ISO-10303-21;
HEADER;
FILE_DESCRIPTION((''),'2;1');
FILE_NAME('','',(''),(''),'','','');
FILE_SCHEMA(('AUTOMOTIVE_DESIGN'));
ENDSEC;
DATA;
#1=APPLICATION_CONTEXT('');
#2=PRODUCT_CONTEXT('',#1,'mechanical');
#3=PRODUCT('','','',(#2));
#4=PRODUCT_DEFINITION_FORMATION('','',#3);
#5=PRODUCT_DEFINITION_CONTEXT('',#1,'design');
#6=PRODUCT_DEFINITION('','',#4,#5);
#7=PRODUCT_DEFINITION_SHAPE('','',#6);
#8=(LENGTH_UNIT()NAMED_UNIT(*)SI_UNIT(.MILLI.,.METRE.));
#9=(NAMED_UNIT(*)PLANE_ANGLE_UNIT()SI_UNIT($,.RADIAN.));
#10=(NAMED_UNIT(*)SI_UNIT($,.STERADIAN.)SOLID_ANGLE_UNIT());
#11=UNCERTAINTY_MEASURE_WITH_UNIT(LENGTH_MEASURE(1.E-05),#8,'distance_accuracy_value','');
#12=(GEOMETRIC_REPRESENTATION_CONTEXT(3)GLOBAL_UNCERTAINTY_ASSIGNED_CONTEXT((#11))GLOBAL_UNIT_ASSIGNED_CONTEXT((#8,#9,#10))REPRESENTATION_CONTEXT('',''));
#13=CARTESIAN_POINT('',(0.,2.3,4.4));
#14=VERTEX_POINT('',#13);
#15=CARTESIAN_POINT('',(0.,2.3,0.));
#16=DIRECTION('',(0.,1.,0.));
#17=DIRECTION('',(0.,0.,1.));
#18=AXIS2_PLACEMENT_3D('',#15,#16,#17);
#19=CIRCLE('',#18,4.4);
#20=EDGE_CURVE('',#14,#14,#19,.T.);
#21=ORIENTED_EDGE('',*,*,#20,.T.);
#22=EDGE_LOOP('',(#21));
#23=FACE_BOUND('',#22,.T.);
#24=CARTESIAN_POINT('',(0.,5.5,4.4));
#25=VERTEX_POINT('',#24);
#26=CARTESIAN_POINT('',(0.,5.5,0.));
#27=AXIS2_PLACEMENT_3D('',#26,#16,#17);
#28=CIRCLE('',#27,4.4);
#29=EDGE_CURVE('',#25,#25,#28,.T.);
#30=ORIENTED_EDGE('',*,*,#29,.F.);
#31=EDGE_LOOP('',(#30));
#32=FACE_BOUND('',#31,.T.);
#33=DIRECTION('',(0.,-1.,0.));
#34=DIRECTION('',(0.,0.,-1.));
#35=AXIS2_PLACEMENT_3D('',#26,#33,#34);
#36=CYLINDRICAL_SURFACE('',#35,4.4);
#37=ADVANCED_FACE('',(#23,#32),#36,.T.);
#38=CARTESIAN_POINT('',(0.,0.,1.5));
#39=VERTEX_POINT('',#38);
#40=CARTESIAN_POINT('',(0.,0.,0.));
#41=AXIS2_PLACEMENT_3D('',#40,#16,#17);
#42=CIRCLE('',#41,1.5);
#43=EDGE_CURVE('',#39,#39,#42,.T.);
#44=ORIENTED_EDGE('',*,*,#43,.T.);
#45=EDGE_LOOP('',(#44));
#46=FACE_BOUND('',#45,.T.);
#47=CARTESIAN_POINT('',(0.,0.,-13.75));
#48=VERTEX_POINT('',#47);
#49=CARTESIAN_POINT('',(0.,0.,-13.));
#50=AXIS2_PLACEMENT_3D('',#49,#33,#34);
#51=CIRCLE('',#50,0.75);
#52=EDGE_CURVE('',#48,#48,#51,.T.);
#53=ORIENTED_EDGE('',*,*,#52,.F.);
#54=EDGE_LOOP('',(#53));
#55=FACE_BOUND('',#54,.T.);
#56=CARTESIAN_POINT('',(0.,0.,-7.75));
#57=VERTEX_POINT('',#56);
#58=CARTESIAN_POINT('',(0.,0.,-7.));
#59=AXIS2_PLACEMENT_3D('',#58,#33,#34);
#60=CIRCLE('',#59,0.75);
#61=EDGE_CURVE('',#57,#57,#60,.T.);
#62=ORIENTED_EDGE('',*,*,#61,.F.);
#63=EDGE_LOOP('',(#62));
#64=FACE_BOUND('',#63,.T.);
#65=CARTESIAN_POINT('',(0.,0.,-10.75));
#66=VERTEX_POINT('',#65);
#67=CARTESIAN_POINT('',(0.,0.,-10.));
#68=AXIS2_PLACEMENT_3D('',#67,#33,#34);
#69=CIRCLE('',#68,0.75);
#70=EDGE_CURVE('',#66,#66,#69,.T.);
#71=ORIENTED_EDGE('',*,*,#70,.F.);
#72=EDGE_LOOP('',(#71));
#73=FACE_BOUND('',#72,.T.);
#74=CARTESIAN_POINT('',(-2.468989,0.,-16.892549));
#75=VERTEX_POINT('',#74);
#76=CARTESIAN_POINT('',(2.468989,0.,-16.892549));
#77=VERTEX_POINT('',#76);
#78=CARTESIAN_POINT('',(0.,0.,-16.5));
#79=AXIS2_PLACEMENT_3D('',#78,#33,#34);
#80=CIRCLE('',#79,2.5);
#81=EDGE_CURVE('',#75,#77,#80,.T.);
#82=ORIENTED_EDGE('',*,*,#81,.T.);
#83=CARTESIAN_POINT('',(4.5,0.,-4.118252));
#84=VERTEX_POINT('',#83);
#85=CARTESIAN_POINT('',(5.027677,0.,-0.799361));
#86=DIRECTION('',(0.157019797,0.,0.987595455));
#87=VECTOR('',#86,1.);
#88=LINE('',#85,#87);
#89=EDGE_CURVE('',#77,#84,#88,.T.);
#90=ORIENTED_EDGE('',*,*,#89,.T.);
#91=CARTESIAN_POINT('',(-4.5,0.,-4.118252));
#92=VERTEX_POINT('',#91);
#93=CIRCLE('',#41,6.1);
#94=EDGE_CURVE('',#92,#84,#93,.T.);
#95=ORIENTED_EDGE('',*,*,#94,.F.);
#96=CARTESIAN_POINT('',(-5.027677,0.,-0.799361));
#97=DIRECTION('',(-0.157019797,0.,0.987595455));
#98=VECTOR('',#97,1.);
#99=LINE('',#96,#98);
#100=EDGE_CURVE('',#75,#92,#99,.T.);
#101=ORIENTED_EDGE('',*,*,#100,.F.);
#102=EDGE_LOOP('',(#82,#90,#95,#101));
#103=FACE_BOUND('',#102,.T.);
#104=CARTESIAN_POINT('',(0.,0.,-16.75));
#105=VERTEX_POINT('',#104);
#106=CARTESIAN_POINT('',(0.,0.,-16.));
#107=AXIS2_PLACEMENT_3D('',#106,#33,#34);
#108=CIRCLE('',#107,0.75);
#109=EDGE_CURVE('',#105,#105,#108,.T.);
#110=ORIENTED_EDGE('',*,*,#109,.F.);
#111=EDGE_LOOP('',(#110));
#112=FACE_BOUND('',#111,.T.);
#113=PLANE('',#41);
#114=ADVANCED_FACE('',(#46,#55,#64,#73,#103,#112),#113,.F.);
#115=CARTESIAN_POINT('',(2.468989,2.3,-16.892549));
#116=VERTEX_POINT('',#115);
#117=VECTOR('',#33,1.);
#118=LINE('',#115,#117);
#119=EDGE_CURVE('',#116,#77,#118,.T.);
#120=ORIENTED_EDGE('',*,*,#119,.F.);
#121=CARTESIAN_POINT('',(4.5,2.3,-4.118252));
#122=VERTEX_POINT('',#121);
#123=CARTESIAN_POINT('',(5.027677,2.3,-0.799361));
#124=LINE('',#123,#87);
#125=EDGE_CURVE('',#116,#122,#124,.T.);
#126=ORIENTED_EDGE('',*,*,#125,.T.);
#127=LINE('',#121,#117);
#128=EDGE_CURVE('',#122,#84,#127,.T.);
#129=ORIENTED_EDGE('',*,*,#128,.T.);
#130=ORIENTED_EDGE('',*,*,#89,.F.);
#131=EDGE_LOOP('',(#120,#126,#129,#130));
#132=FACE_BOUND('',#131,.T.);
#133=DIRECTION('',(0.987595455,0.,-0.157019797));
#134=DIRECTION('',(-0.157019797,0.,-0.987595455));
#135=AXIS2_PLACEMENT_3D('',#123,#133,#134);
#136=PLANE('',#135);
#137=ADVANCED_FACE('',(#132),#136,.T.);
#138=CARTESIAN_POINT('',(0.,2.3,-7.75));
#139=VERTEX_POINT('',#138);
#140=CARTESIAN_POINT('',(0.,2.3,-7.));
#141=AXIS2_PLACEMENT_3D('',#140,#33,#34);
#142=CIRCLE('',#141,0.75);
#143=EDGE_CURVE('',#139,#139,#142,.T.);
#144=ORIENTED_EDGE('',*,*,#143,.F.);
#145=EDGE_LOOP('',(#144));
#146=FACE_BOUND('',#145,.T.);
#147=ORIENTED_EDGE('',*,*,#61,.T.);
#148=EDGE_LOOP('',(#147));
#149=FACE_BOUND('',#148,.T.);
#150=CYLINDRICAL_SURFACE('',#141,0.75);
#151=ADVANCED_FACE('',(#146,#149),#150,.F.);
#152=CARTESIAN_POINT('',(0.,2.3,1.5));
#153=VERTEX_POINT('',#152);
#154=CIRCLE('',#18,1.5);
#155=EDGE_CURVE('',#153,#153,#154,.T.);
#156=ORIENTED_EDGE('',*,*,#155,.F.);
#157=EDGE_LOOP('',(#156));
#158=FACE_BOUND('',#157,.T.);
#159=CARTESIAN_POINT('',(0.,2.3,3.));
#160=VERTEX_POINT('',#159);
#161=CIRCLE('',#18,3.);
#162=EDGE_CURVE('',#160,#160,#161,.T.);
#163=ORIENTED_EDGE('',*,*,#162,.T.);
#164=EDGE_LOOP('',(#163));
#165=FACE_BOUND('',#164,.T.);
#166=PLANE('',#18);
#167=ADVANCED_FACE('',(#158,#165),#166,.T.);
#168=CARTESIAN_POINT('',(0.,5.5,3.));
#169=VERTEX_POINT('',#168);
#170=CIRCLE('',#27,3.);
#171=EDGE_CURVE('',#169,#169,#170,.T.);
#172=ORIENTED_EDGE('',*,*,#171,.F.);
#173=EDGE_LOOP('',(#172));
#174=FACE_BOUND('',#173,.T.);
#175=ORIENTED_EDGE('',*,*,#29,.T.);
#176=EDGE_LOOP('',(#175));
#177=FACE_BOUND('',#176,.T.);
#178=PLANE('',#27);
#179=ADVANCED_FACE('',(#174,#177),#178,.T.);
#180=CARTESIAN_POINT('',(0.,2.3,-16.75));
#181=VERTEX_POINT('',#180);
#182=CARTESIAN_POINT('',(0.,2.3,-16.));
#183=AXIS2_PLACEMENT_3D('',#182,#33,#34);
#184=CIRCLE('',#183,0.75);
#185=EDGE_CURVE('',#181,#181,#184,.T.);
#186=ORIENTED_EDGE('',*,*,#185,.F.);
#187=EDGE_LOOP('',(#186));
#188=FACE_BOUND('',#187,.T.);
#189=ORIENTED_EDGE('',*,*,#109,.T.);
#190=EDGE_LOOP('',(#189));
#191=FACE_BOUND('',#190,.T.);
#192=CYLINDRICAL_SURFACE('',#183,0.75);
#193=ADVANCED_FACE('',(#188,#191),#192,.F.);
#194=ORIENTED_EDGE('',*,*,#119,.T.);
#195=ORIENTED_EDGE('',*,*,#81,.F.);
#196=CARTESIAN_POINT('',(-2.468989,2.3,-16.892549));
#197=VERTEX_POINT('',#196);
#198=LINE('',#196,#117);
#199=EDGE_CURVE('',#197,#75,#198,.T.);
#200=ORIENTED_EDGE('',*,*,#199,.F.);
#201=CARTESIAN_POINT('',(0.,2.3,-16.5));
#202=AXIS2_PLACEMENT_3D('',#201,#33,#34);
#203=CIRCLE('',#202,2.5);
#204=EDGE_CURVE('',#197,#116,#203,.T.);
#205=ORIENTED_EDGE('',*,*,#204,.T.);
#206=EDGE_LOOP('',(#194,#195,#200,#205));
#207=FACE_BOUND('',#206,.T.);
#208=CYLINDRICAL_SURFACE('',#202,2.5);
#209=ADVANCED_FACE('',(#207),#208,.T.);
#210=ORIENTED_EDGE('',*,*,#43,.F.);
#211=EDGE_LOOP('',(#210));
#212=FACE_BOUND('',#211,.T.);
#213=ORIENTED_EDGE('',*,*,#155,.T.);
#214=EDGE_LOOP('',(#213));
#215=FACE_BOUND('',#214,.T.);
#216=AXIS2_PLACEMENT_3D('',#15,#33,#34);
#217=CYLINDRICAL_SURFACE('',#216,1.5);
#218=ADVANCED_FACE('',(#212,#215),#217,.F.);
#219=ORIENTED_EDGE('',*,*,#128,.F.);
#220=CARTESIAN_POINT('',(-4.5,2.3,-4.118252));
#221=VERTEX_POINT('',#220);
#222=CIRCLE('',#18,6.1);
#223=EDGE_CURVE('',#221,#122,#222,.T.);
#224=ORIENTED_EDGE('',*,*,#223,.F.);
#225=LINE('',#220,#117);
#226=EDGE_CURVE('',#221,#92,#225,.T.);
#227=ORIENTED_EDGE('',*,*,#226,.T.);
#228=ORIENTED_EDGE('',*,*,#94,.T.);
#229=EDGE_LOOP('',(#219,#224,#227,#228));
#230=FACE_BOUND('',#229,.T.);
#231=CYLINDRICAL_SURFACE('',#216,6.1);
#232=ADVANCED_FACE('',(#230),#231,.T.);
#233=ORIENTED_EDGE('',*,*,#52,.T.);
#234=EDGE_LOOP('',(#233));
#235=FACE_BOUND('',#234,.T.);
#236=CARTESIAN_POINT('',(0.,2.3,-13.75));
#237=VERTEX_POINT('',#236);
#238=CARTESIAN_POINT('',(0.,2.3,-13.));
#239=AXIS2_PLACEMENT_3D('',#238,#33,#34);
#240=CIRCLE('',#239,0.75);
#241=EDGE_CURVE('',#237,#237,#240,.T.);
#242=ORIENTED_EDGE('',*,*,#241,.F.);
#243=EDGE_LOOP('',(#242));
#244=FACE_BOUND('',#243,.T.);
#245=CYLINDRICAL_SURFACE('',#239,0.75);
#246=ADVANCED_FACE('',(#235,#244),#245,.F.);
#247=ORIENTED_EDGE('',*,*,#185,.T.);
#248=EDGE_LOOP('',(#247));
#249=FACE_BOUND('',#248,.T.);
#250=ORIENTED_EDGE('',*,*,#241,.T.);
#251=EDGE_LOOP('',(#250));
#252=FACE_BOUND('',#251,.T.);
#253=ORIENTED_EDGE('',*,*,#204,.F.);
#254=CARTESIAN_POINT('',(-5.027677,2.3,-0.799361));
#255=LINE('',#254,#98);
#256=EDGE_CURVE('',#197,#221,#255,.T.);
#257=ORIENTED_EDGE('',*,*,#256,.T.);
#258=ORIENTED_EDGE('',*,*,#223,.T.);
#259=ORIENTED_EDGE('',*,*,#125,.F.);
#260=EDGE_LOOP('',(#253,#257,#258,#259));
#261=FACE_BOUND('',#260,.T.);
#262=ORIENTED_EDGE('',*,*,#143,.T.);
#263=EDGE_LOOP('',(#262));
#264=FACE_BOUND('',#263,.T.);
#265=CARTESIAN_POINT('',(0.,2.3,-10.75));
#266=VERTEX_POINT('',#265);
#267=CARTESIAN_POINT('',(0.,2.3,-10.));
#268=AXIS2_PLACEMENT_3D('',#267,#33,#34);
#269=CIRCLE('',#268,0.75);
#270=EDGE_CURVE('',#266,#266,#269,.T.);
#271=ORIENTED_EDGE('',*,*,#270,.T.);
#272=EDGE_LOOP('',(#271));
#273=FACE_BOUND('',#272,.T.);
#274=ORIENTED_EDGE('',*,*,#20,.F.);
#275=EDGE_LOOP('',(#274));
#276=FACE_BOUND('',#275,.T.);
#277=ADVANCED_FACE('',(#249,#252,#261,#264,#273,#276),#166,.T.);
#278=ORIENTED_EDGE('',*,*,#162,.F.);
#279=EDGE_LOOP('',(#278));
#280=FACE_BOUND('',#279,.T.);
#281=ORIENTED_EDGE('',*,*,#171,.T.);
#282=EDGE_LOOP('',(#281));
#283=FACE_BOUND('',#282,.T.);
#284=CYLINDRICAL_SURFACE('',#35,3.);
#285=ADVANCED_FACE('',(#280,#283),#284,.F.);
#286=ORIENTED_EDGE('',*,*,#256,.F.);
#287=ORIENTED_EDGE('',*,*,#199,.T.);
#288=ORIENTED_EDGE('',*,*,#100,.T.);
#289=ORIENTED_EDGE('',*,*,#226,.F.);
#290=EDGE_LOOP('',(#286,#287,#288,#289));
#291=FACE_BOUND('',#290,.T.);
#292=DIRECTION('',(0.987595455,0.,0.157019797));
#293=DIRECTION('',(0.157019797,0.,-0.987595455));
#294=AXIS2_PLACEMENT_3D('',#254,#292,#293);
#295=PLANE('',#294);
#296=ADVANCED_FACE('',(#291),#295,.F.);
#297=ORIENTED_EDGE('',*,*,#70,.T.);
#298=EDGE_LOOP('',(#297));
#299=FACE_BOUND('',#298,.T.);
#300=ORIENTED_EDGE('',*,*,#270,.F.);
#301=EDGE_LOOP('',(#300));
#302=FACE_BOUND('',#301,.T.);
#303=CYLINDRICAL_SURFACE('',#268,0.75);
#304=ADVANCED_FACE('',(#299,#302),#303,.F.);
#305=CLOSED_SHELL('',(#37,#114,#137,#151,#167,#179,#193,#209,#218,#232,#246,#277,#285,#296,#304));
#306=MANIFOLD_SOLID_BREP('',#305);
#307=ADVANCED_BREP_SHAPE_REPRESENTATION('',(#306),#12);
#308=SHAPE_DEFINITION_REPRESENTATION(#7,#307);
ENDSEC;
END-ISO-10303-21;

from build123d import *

# Parameters (mm, degrees)
SKETCH1_R           = 6.1
SKETCH1_R_2         = 1.5
BOSS_EXTRUDE1_DEPTH = 2.3
SKETCH2_R           = 4.4
SKETCH2_R_2         = 3
BOSS_EXTRUDE2_DEPTH = 3.2
SKETCH3_R           = 0.75
BOSS_EXTRUDE3_DEPTH = 2.3


with BuildPart() as part:
    # Sketch1 → Boss-Extrude1 (new body)
    with BuildSketch(Plane(origin=(0, 0, 0), x_dir=(1, 0, 0), z_dir=(0, 1, 0))):
        Circle(SKETCH1_R)
        Circle(SKETCH1_R_2, mode=Mode.SUBTRACT)
    extrude(amount=BOSS_EXTRUDE1_DEPTH)

    # Sketch2 → Boss-Extrude2 (add)
    with BuildSketch(Plane(origin=(0, 2.3, 0), x_dir=(1, 0, 0), z_dir=(0, 1, 0))):
        Circle(SKETCH2_R)
        Circle(SKETCH2_R_2, mode=Mode.SUBTRACT)
    extrude(amount=BOSS_EXTRUDE2_DEPTH)

    # Sketch3 → Boss-Extrude3 (add)
    with BuildSketch(Plane.XZ):
        with BuildLine():
            Line((-4.5, -4.118252056), (-2.468988638, -16.892549493))
            ThreePointArc((-2.468988638, -16.892549493), (0, -19), (2.468988638, -16.892549493))
            Line((2.468988638, -16.892549493), (4.5, -4.118252056))
            ThreePointArc((4.5, -4.118252056), (0, -6.1), (-4.5, -4.118252056))
        make_face()
        with Locations((0, -16)):
            Circle(SKETCH3_R, mode=Mode.SUBTRACT)
        with Locations((0, -13)):
            Circle(SKETCH3_R, mode=Mode.SUBTRACT)
        with Locations((0, -10)):
            Circle(SKETCH3_R, mode=Mode.SUBTRACT)
        with Locations((0, -7)):
            Circle(SKETCH3_R, mode=Mode.SUBTRACT)
    extrude(amount=-BOSS_EXTRUDE3_DEPTH)


solid = part.part
